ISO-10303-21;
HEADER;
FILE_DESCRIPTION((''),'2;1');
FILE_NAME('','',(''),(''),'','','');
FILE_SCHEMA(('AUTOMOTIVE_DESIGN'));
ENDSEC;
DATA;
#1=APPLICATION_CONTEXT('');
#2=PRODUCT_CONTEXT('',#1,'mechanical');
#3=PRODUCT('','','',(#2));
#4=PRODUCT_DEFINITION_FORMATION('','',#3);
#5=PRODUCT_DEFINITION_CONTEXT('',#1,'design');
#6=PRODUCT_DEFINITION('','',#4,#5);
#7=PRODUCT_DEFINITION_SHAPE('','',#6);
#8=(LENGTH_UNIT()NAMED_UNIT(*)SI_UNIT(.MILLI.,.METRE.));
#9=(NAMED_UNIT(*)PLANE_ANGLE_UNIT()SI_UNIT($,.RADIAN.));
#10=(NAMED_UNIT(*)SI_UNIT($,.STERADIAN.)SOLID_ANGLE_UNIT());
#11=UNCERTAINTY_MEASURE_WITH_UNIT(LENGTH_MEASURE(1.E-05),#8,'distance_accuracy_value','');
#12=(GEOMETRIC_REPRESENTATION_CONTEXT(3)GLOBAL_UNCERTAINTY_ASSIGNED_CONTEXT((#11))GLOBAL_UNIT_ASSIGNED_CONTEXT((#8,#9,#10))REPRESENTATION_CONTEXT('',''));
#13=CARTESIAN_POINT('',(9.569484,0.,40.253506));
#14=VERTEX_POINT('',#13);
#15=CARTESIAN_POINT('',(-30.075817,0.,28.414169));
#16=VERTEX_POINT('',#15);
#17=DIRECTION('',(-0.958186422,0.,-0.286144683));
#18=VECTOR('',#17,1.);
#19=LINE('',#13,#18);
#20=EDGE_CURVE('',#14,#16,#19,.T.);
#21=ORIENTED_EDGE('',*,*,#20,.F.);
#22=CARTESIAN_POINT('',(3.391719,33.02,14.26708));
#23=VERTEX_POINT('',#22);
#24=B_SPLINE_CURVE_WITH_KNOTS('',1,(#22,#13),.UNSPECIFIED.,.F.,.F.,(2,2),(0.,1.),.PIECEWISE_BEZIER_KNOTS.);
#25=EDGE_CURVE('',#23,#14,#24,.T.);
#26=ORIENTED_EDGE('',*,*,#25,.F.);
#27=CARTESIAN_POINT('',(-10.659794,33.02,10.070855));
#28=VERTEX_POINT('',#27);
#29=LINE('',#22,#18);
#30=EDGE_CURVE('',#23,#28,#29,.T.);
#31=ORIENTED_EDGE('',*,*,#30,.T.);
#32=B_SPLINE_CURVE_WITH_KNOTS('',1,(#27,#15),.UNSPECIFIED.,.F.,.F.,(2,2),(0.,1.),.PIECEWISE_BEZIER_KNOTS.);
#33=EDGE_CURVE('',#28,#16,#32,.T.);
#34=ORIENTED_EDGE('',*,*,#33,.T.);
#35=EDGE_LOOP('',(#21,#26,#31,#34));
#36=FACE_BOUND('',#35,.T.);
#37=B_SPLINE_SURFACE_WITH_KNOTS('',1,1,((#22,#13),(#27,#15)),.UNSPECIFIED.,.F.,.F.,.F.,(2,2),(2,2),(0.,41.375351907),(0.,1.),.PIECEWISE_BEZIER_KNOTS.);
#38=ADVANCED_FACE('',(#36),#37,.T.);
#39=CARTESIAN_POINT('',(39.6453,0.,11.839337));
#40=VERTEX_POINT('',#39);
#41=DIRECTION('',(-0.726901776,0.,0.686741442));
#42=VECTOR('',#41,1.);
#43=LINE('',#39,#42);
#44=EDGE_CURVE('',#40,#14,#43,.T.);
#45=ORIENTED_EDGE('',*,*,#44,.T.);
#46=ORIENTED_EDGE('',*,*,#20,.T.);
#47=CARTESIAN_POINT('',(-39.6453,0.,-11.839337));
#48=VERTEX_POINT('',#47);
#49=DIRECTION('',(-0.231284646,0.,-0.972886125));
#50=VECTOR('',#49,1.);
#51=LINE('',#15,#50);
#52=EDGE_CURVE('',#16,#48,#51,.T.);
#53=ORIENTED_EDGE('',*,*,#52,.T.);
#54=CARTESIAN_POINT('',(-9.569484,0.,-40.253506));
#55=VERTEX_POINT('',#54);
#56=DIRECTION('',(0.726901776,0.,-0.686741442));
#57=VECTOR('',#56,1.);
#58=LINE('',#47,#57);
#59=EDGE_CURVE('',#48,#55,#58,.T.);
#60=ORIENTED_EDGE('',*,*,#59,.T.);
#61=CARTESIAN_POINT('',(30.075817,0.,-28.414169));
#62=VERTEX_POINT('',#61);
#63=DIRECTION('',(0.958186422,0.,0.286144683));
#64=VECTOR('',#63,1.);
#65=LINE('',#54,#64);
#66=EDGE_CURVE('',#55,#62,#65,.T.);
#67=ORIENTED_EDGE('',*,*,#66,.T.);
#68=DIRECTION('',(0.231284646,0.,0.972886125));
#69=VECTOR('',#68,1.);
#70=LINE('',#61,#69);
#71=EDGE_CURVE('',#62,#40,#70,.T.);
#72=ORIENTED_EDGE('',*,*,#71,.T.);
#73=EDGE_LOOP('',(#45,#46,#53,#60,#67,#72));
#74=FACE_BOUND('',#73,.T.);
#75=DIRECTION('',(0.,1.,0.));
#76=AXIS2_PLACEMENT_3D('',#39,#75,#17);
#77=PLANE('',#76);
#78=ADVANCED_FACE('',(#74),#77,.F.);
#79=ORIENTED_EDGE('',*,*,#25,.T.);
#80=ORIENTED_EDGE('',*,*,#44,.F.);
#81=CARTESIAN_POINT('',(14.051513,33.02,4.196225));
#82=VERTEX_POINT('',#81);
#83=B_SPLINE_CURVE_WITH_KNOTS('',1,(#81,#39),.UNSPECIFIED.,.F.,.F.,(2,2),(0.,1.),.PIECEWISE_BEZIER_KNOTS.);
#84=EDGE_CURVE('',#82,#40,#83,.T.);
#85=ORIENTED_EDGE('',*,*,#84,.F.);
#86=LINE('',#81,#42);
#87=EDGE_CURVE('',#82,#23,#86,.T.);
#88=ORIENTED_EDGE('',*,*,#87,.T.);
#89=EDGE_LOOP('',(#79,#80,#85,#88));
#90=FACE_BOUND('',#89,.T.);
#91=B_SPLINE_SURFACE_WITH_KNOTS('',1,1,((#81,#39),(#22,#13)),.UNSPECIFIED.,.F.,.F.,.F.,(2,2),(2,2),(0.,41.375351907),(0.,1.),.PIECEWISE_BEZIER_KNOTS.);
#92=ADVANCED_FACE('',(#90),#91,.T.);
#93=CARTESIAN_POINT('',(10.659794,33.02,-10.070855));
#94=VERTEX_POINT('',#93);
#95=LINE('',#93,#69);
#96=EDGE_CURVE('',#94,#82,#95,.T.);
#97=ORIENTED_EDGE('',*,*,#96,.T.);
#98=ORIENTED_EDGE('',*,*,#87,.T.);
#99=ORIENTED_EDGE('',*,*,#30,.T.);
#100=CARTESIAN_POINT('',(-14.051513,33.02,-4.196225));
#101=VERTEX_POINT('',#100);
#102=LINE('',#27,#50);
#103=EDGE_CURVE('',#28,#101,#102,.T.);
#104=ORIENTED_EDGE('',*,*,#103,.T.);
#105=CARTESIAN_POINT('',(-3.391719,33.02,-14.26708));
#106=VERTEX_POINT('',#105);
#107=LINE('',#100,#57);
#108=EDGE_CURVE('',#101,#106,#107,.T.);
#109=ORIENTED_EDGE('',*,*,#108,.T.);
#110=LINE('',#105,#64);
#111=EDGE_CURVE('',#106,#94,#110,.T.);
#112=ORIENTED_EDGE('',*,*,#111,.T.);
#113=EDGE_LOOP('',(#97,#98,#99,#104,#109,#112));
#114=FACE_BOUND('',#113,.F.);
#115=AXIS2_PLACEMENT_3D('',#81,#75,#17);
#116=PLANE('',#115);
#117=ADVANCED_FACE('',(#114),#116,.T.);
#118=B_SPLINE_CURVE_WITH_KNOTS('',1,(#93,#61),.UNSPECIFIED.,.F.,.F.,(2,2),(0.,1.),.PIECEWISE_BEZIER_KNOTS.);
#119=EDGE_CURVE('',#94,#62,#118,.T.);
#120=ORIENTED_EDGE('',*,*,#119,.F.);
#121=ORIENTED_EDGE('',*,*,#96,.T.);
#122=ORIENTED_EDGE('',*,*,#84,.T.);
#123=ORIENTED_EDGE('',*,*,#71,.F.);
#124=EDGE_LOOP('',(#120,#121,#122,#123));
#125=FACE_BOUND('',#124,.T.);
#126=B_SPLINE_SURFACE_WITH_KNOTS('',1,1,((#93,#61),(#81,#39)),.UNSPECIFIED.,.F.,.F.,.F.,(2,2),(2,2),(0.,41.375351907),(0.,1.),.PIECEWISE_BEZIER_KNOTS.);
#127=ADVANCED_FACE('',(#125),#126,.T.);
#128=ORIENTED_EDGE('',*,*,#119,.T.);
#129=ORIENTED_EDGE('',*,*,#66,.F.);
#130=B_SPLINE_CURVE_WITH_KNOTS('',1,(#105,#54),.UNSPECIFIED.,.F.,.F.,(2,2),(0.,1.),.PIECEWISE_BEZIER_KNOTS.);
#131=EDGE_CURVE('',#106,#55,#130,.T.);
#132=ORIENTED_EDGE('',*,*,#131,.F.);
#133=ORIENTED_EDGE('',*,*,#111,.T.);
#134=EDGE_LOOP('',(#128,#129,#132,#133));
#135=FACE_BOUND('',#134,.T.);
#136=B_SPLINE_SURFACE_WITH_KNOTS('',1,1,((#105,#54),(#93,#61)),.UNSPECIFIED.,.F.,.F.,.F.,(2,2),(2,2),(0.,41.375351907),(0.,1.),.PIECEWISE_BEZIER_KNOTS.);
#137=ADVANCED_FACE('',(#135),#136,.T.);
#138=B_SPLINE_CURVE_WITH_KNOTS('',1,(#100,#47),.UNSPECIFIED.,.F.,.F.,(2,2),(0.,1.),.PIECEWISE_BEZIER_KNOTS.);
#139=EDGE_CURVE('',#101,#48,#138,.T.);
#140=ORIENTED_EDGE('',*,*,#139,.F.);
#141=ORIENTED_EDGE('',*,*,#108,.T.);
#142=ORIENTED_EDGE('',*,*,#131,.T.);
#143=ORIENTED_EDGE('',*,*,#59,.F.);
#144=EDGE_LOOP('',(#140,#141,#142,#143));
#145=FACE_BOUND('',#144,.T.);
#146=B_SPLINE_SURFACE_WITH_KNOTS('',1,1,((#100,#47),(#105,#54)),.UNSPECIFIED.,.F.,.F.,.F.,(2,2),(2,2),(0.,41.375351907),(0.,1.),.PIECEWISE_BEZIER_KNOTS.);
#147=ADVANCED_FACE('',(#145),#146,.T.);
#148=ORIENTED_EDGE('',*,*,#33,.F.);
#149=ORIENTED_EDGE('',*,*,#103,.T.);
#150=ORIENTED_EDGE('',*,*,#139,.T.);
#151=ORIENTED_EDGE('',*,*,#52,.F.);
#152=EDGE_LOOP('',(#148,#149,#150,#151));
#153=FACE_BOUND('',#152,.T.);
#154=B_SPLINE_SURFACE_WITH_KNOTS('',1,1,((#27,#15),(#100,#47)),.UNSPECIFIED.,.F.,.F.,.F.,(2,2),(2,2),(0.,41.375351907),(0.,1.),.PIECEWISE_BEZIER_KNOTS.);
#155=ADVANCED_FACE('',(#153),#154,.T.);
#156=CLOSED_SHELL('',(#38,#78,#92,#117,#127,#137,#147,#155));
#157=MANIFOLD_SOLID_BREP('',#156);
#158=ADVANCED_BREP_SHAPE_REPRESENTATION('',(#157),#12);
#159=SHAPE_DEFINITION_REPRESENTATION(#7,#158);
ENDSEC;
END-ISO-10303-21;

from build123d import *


with BuildPart() as f3:
    # F2 (on offset) → F3 section 0
    with BuildSketch(Plane.XZ.offset(-33.02)):
        Polygon((14.0515133994, 4.1962250321), (3.3917192219, 14.2670800815), (-10.6597941775, 10.0708550494), (-14.0515133994, -4.1962250321), (-3.3917192219, -14.2670800815), (10.6597941775, -10.0708550494), align=None)
    # F0 (on Front) → F3 section 1
    with BuildSketch(Plane.XZ):
        Polygon((39.6453004225, 11.8393369674), (9.5694836335, 40.2535057903), (-30.075816789, 28.4141688228), (-39.6453004225, -11.8393369674), (-9.5694836335, -40.2535057903), (30.075816789, -28.4141688228), align=None)
    loft()


solid = f3.part
